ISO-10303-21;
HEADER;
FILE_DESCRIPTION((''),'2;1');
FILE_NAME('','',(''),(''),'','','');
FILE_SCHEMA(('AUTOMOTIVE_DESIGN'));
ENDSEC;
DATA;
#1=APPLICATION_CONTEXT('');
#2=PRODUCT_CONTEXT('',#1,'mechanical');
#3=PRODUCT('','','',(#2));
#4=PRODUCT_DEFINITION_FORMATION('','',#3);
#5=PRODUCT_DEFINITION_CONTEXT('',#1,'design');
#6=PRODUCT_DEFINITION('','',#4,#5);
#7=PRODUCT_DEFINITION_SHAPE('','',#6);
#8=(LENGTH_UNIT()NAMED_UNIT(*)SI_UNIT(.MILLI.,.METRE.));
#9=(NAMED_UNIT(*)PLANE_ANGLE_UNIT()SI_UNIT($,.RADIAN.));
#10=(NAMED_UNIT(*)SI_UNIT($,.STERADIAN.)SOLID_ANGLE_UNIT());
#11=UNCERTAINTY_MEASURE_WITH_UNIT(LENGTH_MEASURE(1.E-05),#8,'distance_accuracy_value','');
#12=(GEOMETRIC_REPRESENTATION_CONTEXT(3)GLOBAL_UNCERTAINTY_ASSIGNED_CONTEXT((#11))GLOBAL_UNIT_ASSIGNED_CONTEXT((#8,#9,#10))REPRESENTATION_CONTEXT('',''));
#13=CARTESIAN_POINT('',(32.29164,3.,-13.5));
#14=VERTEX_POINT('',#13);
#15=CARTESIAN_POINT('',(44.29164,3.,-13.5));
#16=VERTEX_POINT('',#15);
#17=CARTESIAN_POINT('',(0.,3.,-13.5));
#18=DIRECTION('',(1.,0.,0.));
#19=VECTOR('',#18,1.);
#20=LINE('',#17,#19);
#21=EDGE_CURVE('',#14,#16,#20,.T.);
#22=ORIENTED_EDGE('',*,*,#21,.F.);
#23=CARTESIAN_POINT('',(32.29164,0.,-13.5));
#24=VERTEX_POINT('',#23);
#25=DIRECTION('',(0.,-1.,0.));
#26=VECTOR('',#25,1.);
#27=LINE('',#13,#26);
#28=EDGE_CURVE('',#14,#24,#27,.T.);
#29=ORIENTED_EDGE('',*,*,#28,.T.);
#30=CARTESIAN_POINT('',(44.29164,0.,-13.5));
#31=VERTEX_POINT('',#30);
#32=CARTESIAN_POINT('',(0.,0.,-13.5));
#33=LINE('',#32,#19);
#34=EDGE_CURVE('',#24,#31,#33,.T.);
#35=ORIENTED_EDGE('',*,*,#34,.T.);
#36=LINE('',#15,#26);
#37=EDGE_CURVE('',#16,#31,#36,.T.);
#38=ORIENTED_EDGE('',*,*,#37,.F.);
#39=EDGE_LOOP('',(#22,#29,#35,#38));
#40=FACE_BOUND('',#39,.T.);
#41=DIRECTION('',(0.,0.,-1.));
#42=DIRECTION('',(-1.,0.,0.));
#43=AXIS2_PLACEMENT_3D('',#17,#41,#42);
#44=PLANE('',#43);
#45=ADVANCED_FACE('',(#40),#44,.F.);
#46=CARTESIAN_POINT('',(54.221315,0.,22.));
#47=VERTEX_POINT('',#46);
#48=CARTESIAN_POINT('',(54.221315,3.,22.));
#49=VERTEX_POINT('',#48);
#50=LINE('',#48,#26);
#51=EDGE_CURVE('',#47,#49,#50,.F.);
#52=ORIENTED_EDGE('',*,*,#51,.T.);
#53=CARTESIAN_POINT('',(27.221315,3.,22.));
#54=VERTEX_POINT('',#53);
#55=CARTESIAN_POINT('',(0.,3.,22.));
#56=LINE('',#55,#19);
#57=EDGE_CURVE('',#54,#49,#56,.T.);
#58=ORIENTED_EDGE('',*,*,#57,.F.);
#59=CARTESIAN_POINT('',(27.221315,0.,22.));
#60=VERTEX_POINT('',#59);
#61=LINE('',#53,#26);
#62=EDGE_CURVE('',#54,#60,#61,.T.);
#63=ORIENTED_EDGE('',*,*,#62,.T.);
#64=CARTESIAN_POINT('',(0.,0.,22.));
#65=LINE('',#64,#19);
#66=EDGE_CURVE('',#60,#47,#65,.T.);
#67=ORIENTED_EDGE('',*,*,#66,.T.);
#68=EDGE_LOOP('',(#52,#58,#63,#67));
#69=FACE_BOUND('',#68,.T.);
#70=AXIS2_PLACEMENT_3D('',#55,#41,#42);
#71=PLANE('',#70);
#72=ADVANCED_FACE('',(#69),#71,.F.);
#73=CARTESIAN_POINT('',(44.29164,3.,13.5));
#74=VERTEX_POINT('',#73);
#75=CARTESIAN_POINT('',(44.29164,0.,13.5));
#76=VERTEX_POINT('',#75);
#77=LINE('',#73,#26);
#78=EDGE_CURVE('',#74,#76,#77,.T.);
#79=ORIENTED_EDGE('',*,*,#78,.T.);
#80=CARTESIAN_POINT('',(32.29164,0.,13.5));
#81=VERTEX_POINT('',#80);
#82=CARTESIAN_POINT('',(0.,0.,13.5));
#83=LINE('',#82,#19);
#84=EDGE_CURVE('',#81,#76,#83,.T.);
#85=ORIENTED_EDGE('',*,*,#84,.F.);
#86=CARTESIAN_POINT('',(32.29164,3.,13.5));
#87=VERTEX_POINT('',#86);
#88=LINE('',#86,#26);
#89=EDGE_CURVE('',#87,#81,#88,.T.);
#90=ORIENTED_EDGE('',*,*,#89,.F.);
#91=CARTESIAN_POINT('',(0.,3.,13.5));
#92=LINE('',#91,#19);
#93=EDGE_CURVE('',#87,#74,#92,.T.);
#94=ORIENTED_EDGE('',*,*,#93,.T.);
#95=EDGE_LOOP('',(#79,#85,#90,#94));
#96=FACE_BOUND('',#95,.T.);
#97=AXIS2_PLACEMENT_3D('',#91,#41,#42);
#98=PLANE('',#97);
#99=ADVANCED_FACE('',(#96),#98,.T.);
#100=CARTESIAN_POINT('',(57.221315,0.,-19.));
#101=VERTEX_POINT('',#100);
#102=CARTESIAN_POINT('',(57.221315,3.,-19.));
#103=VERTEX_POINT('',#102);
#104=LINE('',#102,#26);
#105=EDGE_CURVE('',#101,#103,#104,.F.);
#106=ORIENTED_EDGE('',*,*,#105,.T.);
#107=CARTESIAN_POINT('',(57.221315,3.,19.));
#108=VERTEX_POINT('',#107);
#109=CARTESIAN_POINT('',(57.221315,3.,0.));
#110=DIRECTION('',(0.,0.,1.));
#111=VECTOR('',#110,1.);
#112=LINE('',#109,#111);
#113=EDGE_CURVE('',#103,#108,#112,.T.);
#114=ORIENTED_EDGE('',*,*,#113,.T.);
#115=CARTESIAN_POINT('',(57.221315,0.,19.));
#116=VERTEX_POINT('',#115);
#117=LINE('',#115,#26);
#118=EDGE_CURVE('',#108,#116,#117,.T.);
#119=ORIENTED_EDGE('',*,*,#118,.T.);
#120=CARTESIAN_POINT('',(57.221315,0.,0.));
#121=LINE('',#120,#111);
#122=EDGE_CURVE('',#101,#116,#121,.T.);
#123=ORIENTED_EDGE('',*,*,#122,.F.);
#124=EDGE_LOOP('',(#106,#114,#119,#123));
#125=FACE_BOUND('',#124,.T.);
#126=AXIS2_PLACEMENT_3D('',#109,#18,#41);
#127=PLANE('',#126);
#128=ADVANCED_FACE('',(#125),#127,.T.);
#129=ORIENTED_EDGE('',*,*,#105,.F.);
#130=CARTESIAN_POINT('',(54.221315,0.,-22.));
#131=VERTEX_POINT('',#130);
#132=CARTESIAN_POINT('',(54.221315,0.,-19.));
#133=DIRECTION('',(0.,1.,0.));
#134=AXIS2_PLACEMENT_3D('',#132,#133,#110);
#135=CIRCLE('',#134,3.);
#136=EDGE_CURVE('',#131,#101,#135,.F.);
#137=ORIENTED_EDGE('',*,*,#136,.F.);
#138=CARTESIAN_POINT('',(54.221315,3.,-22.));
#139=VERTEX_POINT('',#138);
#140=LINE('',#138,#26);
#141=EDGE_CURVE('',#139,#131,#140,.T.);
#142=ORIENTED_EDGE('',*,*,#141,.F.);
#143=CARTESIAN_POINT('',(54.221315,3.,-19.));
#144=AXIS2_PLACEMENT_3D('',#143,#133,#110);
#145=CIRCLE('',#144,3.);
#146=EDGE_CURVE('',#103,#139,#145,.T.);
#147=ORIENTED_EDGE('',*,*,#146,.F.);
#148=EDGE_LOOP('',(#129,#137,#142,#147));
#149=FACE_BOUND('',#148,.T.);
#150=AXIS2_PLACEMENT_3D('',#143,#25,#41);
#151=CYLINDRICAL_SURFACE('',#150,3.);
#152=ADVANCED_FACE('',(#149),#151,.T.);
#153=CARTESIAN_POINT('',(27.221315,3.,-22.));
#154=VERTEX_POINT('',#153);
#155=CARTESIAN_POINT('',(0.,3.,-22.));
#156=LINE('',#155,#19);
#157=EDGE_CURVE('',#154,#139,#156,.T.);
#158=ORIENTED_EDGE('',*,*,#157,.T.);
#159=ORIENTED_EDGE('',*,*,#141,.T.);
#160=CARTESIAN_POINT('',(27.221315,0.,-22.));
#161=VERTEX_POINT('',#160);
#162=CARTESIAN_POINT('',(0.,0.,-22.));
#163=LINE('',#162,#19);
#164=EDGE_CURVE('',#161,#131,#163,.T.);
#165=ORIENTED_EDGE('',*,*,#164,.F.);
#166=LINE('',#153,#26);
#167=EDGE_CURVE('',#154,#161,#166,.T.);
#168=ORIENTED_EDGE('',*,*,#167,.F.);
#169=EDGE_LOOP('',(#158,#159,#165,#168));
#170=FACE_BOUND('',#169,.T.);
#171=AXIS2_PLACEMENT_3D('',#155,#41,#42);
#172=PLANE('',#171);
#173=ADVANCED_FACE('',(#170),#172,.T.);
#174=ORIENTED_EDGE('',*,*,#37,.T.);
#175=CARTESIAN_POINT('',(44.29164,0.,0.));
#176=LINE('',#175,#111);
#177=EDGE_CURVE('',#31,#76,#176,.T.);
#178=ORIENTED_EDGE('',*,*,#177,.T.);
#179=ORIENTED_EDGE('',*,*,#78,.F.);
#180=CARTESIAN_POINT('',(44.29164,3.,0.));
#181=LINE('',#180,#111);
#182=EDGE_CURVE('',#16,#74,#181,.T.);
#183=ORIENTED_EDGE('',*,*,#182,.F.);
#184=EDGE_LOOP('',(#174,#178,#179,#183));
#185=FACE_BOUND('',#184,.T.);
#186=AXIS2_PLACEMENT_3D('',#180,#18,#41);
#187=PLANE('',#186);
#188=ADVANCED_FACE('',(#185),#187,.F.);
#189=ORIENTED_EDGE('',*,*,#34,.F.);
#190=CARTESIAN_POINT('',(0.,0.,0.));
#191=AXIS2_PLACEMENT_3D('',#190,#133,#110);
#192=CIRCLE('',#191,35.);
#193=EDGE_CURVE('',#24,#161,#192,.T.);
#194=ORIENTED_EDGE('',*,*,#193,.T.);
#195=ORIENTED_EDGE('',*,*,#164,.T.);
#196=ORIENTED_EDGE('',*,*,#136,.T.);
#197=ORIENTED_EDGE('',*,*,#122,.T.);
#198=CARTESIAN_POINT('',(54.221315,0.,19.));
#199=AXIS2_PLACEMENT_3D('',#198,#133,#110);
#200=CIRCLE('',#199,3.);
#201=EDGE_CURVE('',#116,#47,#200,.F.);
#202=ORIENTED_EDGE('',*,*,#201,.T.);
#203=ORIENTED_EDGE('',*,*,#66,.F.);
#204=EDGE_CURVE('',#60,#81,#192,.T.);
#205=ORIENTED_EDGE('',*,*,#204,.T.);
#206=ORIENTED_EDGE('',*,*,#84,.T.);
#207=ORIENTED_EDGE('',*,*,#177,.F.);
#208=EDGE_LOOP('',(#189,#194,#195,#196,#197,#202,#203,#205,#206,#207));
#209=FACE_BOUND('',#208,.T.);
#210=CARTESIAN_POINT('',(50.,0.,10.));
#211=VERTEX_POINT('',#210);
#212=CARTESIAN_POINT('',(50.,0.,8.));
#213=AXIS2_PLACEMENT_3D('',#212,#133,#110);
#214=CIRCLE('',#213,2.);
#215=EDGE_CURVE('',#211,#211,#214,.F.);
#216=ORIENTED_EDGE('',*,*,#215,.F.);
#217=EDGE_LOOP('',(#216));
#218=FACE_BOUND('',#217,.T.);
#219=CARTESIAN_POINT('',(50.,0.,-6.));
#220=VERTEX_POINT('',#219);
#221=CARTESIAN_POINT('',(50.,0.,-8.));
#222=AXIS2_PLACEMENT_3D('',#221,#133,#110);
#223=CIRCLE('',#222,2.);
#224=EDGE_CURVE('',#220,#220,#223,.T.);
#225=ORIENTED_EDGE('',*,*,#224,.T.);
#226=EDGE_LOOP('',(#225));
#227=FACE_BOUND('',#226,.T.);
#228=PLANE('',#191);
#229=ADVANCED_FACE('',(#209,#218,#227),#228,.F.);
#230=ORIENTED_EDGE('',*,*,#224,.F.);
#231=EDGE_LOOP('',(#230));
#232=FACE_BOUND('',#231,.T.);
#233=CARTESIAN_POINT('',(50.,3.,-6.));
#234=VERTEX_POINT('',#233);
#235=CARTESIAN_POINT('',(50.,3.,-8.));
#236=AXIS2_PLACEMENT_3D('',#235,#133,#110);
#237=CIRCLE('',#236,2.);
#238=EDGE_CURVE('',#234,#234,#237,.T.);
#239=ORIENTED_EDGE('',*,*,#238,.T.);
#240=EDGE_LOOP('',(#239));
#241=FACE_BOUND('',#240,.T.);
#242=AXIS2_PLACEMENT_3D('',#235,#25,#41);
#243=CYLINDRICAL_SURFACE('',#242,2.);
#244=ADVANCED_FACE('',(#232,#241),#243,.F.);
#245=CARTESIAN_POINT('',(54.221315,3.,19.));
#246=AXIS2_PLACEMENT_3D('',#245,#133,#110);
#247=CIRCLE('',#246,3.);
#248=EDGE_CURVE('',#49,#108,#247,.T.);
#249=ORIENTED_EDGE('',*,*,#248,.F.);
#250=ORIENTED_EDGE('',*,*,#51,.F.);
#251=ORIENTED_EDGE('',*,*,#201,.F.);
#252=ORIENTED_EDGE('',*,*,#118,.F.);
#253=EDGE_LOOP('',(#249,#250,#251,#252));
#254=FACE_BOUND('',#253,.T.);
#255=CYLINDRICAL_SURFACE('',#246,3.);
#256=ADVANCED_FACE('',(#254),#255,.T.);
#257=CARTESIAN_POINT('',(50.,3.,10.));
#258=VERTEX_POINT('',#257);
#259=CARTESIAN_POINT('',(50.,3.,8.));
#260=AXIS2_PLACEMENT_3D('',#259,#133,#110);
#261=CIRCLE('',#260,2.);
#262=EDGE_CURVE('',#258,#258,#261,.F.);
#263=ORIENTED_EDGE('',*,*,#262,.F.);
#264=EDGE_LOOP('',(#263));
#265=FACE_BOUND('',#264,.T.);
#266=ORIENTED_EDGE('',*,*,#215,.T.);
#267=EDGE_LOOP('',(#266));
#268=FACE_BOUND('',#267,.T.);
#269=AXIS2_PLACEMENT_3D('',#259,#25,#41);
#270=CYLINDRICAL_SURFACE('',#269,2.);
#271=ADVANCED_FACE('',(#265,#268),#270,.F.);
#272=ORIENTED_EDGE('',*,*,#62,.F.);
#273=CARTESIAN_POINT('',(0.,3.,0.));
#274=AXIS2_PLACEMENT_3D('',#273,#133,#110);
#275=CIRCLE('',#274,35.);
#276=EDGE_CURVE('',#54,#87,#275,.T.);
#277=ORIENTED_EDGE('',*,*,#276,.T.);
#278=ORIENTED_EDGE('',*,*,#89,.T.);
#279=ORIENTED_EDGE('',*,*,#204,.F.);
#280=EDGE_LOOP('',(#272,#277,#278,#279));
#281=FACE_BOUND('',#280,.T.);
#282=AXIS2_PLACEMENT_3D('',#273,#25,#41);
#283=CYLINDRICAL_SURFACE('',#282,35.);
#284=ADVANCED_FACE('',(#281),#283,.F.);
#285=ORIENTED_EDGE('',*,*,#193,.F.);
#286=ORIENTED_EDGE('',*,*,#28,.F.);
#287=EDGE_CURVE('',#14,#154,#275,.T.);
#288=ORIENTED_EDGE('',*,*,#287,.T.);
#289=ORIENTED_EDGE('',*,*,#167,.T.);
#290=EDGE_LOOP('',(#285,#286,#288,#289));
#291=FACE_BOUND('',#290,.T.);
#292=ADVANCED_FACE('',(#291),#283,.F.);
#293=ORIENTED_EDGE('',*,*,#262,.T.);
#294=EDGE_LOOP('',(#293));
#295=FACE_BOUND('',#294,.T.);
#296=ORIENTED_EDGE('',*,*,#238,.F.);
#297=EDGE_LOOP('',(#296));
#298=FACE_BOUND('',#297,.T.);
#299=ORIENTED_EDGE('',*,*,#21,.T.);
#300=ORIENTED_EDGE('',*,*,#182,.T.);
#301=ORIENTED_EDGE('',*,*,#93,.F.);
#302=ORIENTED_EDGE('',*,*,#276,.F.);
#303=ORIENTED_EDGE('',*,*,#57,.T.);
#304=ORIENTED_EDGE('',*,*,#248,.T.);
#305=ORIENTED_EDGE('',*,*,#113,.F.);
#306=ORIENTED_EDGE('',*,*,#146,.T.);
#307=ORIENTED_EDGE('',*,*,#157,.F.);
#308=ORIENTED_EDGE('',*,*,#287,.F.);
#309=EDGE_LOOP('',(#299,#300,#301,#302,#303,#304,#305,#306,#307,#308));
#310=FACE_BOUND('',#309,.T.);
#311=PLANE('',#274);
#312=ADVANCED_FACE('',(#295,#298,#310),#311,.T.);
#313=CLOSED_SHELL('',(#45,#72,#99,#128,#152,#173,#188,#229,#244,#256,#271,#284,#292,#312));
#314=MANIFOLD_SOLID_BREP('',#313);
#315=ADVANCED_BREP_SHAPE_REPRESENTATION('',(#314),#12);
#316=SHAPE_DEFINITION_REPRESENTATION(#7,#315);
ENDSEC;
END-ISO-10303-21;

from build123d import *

# Parameters (mm, degrees)
SKETCH_1_R      = 2
EXTRUDE_1_DEPTH = 3
FILLET_1_R      = 3


with BuildPart() as part:
    # 草图1 → 凸台-拉伸1 (new body)
    with BuildSketch(Plane(origin=(0, 0, 0), x_dir=(1, 0, 0), z_dir=(0, 1, 0))):
        with BuildLine():
            Line((57.221315178, 22), (27.221315178, 22))
            ThreePointArc((27.221315178, 22), (30.058450594, 17.930129612), (32.291639785, 13.5))
            Line((32.291639785, 13.5), (44.291639785, 13.5))
            Line((44.291639785, 13.5), (44.291639785, -13.5))
            Line((44.291639785, -13.5), (32.291639785, -13.5))
            ThreePointArc((32.291639785, -13.5), (30.058450594, -17.930129612), (27.221315178, -22))
            Line((27.221315178, -22), (57.221315178, -22))
            Line((57.221315178, -22), (57.221315178, 22))
        make_face()
        with Locations(Location((50, -8, 0), (0, 0, 270))):
            Circle(SKETCH_1_R, mode=Mode.SUBTRACT)
        with Locations(Location((50, 8, 0), (0, 0, 270))):
            Circle(SKETCH_1_R, mode=Mode.SUBTRACT)
    extrude(amount=EXTRUDE_1_DEPTH)

    # 圆角1
    fillet_1_edges = [part.edges().sort_by_distance(p)[0] for p in [
        (57.221315178, 1.5, -22),
        (57.221315178, 1.5, 22),
    ]]
    fillet(fillet_1_edges, radius=FILLET_1_R)


solid = part.part
